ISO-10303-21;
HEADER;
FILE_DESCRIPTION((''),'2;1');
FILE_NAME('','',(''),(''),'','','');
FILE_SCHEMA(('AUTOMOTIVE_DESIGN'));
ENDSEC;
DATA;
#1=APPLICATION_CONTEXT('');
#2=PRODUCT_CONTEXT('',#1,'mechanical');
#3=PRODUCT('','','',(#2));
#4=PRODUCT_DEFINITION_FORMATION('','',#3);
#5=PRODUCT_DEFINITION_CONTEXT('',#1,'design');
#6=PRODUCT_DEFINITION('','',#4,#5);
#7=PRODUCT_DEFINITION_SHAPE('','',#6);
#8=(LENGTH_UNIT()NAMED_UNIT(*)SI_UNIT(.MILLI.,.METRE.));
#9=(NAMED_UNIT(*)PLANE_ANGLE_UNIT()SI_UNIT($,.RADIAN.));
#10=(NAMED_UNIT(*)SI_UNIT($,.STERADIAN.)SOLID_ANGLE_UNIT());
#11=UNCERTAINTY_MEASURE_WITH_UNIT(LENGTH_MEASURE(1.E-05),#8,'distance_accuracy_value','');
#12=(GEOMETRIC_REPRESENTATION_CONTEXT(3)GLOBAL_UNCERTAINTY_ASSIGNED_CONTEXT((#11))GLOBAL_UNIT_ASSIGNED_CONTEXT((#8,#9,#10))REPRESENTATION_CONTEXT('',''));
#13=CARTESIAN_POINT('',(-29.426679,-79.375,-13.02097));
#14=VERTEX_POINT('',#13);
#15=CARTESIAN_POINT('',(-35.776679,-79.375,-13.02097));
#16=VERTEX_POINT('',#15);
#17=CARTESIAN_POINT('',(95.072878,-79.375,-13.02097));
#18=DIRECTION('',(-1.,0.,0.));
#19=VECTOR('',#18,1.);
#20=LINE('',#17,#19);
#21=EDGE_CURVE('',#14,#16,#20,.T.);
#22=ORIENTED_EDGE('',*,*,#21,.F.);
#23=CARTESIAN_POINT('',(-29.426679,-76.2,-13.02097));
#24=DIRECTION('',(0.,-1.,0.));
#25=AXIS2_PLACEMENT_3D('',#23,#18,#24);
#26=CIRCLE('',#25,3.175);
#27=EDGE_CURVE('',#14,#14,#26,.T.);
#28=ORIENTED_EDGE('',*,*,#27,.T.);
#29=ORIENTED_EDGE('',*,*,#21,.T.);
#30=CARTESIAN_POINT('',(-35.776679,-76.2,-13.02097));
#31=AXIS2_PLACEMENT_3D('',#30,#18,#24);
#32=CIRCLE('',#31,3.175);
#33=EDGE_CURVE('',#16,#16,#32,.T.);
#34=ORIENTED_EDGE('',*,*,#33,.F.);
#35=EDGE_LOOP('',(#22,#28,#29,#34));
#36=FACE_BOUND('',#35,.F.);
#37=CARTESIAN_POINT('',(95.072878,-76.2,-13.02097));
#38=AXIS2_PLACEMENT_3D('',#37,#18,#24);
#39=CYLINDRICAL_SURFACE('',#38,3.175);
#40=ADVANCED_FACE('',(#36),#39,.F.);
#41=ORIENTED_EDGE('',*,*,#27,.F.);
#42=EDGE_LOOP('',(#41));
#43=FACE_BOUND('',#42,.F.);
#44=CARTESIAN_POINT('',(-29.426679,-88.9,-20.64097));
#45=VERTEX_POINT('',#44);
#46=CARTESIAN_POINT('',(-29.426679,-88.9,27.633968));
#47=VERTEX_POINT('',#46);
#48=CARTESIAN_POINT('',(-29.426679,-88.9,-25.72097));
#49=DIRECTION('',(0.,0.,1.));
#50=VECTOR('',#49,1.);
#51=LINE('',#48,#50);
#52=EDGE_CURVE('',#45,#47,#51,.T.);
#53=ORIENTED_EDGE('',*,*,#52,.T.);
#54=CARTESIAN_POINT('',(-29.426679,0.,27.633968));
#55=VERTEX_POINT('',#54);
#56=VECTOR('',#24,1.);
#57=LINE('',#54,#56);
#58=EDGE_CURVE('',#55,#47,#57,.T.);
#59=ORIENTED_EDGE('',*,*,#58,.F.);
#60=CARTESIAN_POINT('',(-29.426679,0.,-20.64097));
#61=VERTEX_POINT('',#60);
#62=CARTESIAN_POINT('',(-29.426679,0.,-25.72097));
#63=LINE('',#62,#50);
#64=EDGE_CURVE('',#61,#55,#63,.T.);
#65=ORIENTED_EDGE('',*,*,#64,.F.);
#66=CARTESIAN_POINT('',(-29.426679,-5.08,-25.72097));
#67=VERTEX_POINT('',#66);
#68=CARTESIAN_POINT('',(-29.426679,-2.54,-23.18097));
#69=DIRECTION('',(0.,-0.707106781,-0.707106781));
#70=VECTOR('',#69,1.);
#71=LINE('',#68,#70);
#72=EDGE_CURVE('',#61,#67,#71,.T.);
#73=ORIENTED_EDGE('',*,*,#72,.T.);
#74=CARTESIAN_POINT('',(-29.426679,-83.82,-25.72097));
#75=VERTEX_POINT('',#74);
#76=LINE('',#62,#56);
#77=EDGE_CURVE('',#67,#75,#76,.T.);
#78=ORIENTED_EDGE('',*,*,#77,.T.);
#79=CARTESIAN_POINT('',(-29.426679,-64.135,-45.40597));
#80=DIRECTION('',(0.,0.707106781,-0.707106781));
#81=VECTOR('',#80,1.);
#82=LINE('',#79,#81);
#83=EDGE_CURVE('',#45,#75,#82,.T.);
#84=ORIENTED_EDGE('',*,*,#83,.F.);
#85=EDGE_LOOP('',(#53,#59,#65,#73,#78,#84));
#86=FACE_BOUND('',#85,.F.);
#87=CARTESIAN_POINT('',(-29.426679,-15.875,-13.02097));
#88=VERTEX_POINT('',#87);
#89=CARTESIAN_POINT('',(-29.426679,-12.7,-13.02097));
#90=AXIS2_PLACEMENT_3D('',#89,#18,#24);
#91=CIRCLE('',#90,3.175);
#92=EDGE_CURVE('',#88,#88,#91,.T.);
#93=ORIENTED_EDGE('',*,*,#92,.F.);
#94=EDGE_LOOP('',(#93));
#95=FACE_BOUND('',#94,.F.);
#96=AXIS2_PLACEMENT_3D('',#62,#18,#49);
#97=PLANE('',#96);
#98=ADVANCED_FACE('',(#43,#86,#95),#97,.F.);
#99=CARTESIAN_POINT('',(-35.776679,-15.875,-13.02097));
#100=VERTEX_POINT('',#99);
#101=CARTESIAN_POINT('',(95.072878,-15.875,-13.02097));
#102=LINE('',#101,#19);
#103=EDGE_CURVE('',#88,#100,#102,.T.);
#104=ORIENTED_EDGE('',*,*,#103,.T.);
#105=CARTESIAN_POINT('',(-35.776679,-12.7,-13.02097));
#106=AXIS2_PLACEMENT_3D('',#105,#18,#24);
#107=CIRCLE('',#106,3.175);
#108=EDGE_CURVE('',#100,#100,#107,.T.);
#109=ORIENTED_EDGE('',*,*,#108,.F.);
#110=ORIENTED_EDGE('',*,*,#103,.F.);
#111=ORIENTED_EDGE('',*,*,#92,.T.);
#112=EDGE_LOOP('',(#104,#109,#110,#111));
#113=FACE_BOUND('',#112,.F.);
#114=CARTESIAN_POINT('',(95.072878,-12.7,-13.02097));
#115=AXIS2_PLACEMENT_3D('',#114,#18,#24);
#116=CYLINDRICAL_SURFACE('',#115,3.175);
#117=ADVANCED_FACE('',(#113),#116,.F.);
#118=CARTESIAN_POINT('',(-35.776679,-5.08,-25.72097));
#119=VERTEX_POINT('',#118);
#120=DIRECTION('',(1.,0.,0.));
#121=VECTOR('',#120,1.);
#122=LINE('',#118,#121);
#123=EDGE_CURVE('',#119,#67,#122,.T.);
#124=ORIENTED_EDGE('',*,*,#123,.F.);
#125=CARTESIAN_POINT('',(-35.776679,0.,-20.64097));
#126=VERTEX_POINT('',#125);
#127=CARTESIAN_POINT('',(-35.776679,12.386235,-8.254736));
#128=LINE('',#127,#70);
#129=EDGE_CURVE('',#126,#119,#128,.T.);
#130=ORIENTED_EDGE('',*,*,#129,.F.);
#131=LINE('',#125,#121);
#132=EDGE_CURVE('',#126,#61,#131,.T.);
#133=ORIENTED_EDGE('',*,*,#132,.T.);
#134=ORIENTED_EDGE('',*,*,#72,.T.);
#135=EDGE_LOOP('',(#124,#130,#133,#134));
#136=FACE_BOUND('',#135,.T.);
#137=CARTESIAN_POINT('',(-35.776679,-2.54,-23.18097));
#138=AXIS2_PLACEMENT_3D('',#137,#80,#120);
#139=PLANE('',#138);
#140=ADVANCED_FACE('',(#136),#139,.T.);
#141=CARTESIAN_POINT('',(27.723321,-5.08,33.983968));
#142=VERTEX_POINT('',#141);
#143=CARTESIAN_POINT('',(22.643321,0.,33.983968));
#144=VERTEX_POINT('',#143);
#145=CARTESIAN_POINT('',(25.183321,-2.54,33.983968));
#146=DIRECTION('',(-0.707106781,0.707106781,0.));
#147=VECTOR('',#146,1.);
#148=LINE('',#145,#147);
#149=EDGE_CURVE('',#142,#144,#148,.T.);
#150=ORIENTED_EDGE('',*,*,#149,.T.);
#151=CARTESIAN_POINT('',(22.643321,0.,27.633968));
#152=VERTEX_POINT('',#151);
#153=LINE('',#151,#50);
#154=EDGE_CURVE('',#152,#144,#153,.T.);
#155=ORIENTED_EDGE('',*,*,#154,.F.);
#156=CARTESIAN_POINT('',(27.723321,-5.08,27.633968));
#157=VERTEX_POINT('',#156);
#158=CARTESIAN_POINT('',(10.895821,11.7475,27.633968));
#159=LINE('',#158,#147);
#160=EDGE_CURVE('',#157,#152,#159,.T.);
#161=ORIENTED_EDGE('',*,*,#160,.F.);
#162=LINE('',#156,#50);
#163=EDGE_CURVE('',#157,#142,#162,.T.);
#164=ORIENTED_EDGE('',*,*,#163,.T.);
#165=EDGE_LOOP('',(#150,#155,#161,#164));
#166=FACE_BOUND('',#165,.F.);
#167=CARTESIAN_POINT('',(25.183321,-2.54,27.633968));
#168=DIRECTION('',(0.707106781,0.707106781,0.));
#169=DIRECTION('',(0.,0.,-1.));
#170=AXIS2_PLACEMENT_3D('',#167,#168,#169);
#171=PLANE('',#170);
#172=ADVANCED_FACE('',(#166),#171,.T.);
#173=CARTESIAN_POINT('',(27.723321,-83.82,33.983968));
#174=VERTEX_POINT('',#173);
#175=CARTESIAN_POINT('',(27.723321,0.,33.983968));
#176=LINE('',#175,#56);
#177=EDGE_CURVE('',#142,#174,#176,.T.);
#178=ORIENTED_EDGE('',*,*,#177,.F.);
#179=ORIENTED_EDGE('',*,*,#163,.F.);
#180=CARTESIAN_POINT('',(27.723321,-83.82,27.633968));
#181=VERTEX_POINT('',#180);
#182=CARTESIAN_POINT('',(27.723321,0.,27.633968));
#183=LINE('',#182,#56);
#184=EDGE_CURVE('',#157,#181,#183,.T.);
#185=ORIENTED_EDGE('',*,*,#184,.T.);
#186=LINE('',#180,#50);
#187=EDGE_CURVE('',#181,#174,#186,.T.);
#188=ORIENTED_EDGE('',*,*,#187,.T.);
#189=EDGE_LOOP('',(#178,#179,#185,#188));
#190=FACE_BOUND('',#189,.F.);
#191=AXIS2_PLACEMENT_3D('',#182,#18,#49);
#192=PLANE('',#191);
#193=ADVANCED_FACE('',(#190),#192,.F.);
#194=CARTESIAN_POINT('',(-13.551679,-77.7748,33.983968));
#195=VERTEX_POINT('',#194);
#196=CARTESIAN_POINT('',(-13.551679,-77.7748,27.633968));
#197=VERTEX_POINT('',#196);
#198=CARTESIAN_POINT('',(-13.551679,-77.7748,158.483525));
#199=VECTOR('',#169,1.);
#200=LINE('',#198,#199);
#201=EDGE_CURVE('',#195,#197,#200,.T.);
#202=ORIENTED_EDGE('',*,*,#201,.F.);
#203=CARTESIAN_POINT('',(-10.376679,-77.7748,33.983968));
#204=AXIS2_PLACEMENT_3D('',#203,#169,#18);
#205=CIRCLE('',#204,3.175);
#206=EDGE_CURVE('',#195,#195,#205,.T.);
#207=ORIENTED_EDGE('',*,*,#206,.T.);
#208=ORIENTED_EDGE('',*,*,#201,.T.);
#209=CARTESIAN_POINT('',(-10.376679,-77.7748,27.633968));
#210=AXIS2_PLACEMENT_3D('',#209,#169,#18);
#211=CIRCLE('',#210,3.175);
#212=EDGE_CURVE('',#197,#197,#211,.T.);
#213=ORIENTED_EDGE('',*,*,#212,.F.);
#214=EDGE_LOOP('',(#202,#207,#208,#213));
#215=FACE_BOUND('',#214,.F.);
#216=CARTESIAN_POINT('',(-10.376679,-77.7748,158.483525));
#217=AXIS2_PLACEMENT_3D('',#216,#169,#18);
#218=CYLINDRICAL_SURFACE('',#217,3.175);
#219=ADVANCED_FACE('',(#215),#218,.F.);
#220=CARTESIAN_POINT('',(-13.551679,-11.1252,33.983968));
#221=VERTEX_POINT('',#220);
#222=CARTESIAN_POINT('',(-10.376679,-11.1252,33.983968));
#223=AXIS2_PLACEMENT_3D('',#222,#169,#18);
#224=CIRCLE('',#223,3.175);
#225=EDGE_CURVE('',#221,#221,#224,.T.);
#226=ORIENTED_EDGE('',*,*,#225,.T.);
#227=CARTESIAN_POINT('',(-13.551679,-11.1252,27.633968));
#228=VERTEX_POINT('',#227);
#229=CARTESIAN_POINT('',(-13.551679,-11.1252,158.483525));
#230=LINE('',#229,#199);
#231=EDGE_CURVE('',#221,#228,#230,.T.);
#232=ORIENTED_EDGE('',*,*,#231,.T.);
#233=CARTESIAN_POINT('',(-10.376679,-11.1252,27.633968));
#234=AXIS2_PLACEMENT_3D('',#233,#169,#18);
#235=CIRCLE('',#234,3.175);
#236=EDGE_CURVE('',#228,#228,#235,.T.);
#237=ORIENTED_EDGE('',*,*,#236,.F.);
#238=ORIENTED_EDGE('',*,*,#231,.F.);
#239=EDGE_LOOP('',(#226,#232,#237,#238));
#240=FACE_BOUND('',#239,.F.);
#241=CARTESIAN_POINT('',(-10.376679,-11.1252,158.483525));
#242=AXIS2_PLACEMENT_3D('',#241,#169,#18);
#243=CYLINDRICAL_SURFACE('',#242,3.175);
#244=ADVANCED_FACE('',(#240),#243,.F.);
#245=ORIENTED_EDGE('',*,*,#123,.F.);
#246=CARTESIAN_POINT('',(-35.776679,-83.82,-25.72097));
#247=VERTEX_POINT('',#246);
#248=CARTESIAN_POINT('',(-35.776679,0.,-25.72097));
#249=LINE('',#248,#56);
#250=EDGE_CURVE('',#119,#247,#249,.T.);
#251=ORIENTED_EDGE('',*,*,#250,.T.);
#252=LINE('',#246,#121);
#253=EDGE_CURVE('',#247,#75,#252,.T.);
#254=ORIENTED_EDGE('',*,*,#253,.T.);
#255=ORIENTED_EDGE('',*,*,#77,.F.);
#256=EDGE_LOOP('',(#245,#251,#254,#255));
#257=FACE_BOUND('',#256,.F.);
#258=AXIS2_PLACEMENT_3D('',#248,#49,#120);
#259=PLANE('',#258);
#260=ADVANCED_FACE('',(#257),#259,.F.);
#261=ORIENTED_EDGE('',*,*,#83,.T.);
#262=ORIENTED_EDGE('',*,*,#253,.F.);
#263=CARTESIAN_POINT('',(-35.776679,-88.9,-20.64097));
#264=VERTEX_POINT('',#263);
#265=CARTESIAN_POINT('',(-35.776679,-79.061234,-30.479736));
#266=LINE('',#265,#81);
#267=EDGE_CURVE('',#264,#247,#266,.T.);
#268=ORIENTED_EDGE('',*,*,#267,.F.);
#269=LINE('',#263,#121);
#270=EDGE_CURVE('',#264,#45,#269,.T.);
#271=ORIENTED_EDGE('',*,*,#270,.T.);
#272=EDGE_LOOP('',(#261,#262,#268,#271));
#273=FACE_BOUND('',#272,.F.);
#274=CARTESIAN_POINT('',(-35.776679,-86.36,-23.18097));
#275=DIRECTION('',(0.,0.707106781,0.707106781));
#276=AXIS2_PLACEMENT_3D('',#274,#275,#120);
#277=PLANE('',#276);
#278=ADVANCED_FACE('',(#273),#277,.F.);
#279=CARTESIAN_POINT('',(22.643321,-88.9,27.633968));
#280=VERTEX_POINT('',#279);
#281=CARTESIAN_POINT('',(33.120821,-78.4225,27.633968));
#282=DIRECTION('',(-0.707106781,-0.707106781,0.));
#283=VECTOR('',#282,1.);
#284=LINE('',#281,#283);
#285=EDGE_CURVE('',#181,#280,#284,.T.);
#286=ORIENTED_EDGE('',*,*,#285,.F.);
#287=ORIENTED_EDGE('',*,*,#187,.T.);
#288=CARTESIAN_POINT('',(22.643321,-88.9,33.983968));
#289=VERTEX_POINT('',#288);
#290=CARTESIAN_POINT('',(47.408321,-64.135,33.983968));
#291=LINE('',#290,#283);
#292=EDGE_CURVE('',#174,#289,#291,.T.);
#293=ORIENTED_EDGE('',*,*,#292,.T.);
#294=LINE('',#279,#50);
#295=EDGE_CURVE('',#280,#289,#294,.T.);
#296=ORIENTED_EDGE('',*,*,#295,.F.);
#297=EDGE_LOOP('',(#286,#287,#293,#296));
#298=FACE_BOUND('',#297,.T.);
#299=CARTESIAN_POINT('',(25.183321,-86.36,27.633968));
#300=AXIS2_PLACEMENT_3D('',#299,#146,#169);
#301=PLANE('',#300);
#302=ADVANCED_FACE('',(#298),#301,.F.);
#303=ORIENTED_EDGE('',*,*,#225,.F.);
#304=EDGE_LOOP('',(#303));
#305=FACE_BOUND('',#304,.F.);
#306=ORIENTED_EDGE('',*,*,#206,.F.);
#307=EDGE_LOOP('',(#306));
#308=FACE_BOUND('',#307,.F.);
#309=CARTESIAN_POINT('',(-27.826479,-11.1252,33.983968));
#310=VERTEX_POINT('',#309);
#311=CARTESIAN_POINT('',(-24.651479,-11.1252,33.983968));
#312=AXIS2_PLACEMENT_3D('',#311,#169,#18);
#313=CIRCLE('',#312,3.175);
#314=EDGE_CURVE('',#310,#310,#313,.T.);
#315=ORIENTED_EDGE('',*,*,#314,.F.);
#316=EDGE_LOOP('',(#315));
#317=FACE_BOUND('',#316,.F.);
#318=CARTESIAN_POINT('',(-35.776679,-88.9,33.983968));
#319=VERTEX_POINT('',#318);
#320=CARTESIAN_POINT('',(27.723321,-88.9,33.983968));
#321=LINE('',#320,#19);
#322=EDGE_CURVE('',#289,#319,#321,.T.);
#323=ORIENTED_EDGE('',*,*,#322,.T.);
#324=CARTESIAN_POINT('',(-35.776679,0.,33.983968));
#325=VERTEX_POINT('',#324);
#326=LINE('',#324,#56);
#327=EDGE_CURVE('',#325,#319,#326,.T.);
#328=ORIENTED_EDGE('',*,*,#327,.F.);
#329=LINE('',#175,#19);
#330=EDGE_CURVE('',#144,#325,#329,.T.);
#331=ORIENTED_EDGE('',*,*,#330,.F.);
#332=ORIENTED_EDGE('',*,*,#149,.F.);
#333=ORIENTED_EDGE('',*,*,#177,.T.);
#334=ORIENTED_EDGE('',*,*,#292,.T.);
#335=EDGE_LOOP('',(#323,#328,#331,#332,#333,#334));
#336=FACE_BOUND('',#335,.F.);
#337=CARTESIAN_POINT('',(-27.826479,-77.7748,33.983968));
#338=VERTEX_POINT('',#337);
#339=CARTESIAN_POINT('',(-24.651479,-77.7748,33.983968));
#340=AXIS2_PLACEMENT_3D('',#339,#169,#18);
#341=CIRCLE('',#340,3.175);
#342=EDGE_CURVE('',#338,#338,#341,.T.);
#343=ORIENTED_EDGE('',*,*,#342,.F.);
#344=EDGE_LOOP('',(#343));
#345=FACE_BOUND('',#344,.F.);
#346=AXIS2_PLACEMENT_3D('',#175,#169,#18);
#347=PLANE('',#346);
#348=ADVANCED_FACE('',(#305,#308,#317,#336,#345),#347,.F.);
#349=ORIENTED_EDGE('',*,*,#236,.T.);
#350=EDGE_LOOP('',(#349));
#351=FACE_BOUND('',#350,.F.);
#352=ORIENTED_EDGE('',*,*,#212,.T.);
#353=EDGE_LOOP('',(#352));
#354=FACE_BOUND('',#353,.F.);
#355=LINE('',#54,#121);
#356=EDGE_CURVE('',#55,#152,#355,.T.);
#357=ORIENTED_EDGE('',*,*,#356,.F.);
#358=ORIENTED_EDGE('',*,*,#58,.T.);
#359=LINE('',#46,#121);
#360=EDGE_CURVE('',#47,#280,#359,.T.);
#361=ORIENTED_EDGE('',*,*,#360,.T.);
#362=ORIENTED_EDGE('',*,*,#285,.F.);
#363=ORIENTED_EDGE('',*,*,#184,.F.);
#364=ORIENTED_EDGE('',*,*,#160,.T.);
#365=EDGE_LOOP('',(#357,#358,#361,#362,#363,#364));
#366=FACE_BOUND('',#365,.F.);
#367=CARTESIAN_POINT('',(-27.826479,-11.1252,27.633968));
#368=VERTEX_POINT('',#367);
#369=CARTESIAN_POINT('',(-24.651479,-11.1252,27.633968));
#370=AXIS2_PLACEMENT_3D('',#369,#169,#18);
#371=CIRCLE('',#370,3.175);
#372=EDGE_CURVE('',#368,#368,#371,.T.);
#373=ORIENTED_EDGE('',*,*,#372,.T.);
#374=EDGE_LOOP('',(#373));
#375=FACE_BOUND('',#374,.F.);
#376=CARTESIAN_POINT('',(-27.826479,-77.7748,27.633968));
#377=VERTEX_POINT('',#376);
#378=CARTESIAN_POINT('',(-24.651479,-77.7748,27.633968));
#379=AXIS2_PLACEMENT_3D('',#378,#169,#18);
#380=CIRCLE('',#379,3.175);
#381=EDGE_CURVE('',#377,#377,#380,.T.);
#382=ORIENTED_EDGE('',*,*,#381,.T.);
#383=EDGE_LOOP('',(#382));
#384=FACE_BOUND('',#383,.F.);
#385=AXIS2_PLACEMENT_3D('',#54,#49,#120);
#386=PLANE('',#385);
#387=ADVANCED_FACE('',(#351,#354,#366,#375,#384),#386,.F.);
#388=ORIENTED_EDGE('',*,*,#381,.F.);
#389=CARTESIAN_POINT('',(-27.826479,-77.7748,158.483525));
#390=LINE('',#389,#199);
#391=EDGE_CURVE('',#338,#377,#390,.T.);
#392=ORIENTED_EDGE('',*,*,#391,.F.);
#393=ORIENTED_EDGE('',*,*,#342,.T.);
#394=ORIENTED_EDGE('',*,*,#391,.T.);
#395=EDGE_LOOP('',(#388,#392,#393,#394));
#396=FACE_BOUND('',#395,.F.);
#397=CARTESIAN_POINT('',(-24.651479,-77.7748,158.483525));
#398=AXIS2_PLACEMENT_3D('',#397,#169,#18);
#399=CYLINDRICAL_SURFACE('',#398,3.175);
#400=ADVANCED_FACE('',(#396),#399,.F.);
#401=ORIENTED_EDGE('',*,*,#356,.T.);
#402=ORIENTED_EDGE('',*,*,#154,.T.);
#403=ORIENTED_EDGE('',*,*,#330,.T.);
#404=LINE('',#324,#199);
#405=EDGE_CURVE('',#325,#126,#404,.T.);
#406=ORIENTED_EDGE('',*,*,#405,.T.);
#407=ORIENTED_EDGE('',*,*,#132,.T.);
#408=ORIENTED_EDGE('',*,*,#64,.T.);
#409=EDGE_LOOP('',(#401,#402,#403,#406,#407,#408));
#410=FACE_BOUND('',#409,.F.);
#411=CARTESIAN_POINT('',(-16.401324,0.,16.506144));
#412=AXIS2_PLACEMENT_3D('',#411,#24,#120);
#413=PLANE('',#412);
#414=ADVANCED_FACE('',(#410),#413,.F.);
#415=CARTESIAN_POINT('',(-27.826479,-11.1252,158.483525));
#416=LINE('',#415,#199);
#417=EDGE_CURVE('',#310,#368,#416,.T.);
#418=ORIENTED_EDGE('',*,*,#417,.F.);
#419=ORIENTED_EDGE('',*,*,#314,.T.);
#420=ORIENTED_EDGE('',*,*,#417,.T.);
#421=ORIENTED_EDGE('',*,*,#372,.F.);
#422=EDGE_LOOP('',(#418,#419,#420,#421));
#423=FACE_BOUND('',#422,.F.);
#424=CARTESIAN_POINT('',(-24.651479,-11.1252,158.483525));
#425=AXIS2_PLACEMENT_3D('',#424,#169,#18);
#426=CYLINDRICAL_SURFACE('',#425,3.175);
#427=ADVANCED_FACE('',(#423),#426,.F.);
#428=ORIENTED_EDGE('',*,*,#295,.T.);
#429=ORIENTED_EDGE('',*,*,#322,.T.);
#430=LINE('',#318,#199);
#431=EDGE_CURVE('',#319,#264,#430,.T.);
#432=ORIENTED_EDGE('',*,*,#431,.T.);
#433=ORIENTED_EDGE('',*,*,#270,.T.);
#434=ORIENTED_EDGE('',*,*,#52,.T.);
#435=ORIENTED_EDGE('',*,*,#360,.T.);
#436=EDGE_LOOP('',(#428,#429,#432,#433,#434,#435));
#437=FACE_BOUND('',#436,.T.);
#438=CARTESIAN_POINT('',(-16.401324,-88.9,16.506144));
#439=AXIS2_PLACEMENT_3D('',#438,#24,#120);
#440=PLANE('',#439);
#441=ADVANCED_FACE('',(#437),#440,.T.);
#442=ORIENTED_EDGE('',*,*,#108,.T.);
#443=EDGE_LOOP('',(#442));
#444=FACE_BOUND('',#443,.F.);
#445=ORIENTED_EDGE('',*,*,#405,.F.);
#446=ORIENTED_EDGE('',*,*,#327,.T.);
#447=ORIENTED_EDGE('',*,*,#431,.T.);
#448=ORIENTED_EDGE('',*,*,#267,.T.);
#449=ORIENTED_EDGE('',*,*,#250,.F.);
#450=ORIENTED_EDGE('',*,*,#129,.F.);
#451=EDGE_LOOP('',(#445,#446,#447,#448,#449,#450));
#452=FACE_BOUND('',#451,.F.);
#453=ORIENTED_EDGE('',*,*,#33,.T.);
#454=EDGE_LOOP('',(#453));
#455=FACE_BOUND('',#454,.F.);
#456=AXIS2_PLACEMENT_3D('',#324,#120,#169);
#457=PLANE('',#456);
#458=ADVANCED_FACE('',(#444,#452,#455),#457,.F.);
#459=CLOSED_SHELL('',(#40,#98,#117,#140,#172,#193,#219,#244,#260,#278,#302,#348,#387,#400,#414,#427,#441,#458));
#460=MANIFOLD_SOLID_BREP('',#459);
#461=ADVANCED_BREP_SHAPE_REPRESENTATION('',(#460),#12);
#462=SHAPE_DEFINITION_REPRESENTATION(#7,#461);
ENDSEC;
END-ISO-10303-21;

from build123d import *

# Parameters (mm, degrees)
F1_DEPTH = 88.9
F3_D     = 6.35
F4_SIZE  = 5.08
F6_D     = 6.35


with BuildPart() as f1:
    # F0 (on Front) → F1 (new body)
    with BuildSketch(Plane.XZ):
        Polygon((27.723321, 33.983968), (-29.426679, 33.983968), (-35.776679, 33.983968), (-35.776679, -25.72097), (-29.426679, -25.72097), (-29.426679, 27.633968), (27.723321, 27.633968), align=None)
    extrude(amount=F1_DEPTH)

    # F3 (through all)
    with Locations(Plane.YZ.offset(-29.426679)):
        with Locations((-76.2, -13.02097), (-12.7, -13.02097)):
            Hole(F3_D / 2)

    # F4
    f4_edges = [f1.edges().sort_by_distance(p)[0] for p in [
        (-32.601679, -88.9, -25.72097),
        (27.723321, -88.9, 30.808968),
        (27.723321, 0, 30.808968),
        (-32.601679, 0, -25.72097),
    ]]
    chamfer(f4_edges, length=F4_SIZE)

    # F6 (through all)
    with Locations(Plane.XY.offset(33.983968)):
        with Locations((-10.376679, -11.1252), (-24.651479, -11.1252), (-24.651479, -77.7748), (-10.376679, -77.7748)):
            Hole(F6_D / 2)


solid = f1.part
